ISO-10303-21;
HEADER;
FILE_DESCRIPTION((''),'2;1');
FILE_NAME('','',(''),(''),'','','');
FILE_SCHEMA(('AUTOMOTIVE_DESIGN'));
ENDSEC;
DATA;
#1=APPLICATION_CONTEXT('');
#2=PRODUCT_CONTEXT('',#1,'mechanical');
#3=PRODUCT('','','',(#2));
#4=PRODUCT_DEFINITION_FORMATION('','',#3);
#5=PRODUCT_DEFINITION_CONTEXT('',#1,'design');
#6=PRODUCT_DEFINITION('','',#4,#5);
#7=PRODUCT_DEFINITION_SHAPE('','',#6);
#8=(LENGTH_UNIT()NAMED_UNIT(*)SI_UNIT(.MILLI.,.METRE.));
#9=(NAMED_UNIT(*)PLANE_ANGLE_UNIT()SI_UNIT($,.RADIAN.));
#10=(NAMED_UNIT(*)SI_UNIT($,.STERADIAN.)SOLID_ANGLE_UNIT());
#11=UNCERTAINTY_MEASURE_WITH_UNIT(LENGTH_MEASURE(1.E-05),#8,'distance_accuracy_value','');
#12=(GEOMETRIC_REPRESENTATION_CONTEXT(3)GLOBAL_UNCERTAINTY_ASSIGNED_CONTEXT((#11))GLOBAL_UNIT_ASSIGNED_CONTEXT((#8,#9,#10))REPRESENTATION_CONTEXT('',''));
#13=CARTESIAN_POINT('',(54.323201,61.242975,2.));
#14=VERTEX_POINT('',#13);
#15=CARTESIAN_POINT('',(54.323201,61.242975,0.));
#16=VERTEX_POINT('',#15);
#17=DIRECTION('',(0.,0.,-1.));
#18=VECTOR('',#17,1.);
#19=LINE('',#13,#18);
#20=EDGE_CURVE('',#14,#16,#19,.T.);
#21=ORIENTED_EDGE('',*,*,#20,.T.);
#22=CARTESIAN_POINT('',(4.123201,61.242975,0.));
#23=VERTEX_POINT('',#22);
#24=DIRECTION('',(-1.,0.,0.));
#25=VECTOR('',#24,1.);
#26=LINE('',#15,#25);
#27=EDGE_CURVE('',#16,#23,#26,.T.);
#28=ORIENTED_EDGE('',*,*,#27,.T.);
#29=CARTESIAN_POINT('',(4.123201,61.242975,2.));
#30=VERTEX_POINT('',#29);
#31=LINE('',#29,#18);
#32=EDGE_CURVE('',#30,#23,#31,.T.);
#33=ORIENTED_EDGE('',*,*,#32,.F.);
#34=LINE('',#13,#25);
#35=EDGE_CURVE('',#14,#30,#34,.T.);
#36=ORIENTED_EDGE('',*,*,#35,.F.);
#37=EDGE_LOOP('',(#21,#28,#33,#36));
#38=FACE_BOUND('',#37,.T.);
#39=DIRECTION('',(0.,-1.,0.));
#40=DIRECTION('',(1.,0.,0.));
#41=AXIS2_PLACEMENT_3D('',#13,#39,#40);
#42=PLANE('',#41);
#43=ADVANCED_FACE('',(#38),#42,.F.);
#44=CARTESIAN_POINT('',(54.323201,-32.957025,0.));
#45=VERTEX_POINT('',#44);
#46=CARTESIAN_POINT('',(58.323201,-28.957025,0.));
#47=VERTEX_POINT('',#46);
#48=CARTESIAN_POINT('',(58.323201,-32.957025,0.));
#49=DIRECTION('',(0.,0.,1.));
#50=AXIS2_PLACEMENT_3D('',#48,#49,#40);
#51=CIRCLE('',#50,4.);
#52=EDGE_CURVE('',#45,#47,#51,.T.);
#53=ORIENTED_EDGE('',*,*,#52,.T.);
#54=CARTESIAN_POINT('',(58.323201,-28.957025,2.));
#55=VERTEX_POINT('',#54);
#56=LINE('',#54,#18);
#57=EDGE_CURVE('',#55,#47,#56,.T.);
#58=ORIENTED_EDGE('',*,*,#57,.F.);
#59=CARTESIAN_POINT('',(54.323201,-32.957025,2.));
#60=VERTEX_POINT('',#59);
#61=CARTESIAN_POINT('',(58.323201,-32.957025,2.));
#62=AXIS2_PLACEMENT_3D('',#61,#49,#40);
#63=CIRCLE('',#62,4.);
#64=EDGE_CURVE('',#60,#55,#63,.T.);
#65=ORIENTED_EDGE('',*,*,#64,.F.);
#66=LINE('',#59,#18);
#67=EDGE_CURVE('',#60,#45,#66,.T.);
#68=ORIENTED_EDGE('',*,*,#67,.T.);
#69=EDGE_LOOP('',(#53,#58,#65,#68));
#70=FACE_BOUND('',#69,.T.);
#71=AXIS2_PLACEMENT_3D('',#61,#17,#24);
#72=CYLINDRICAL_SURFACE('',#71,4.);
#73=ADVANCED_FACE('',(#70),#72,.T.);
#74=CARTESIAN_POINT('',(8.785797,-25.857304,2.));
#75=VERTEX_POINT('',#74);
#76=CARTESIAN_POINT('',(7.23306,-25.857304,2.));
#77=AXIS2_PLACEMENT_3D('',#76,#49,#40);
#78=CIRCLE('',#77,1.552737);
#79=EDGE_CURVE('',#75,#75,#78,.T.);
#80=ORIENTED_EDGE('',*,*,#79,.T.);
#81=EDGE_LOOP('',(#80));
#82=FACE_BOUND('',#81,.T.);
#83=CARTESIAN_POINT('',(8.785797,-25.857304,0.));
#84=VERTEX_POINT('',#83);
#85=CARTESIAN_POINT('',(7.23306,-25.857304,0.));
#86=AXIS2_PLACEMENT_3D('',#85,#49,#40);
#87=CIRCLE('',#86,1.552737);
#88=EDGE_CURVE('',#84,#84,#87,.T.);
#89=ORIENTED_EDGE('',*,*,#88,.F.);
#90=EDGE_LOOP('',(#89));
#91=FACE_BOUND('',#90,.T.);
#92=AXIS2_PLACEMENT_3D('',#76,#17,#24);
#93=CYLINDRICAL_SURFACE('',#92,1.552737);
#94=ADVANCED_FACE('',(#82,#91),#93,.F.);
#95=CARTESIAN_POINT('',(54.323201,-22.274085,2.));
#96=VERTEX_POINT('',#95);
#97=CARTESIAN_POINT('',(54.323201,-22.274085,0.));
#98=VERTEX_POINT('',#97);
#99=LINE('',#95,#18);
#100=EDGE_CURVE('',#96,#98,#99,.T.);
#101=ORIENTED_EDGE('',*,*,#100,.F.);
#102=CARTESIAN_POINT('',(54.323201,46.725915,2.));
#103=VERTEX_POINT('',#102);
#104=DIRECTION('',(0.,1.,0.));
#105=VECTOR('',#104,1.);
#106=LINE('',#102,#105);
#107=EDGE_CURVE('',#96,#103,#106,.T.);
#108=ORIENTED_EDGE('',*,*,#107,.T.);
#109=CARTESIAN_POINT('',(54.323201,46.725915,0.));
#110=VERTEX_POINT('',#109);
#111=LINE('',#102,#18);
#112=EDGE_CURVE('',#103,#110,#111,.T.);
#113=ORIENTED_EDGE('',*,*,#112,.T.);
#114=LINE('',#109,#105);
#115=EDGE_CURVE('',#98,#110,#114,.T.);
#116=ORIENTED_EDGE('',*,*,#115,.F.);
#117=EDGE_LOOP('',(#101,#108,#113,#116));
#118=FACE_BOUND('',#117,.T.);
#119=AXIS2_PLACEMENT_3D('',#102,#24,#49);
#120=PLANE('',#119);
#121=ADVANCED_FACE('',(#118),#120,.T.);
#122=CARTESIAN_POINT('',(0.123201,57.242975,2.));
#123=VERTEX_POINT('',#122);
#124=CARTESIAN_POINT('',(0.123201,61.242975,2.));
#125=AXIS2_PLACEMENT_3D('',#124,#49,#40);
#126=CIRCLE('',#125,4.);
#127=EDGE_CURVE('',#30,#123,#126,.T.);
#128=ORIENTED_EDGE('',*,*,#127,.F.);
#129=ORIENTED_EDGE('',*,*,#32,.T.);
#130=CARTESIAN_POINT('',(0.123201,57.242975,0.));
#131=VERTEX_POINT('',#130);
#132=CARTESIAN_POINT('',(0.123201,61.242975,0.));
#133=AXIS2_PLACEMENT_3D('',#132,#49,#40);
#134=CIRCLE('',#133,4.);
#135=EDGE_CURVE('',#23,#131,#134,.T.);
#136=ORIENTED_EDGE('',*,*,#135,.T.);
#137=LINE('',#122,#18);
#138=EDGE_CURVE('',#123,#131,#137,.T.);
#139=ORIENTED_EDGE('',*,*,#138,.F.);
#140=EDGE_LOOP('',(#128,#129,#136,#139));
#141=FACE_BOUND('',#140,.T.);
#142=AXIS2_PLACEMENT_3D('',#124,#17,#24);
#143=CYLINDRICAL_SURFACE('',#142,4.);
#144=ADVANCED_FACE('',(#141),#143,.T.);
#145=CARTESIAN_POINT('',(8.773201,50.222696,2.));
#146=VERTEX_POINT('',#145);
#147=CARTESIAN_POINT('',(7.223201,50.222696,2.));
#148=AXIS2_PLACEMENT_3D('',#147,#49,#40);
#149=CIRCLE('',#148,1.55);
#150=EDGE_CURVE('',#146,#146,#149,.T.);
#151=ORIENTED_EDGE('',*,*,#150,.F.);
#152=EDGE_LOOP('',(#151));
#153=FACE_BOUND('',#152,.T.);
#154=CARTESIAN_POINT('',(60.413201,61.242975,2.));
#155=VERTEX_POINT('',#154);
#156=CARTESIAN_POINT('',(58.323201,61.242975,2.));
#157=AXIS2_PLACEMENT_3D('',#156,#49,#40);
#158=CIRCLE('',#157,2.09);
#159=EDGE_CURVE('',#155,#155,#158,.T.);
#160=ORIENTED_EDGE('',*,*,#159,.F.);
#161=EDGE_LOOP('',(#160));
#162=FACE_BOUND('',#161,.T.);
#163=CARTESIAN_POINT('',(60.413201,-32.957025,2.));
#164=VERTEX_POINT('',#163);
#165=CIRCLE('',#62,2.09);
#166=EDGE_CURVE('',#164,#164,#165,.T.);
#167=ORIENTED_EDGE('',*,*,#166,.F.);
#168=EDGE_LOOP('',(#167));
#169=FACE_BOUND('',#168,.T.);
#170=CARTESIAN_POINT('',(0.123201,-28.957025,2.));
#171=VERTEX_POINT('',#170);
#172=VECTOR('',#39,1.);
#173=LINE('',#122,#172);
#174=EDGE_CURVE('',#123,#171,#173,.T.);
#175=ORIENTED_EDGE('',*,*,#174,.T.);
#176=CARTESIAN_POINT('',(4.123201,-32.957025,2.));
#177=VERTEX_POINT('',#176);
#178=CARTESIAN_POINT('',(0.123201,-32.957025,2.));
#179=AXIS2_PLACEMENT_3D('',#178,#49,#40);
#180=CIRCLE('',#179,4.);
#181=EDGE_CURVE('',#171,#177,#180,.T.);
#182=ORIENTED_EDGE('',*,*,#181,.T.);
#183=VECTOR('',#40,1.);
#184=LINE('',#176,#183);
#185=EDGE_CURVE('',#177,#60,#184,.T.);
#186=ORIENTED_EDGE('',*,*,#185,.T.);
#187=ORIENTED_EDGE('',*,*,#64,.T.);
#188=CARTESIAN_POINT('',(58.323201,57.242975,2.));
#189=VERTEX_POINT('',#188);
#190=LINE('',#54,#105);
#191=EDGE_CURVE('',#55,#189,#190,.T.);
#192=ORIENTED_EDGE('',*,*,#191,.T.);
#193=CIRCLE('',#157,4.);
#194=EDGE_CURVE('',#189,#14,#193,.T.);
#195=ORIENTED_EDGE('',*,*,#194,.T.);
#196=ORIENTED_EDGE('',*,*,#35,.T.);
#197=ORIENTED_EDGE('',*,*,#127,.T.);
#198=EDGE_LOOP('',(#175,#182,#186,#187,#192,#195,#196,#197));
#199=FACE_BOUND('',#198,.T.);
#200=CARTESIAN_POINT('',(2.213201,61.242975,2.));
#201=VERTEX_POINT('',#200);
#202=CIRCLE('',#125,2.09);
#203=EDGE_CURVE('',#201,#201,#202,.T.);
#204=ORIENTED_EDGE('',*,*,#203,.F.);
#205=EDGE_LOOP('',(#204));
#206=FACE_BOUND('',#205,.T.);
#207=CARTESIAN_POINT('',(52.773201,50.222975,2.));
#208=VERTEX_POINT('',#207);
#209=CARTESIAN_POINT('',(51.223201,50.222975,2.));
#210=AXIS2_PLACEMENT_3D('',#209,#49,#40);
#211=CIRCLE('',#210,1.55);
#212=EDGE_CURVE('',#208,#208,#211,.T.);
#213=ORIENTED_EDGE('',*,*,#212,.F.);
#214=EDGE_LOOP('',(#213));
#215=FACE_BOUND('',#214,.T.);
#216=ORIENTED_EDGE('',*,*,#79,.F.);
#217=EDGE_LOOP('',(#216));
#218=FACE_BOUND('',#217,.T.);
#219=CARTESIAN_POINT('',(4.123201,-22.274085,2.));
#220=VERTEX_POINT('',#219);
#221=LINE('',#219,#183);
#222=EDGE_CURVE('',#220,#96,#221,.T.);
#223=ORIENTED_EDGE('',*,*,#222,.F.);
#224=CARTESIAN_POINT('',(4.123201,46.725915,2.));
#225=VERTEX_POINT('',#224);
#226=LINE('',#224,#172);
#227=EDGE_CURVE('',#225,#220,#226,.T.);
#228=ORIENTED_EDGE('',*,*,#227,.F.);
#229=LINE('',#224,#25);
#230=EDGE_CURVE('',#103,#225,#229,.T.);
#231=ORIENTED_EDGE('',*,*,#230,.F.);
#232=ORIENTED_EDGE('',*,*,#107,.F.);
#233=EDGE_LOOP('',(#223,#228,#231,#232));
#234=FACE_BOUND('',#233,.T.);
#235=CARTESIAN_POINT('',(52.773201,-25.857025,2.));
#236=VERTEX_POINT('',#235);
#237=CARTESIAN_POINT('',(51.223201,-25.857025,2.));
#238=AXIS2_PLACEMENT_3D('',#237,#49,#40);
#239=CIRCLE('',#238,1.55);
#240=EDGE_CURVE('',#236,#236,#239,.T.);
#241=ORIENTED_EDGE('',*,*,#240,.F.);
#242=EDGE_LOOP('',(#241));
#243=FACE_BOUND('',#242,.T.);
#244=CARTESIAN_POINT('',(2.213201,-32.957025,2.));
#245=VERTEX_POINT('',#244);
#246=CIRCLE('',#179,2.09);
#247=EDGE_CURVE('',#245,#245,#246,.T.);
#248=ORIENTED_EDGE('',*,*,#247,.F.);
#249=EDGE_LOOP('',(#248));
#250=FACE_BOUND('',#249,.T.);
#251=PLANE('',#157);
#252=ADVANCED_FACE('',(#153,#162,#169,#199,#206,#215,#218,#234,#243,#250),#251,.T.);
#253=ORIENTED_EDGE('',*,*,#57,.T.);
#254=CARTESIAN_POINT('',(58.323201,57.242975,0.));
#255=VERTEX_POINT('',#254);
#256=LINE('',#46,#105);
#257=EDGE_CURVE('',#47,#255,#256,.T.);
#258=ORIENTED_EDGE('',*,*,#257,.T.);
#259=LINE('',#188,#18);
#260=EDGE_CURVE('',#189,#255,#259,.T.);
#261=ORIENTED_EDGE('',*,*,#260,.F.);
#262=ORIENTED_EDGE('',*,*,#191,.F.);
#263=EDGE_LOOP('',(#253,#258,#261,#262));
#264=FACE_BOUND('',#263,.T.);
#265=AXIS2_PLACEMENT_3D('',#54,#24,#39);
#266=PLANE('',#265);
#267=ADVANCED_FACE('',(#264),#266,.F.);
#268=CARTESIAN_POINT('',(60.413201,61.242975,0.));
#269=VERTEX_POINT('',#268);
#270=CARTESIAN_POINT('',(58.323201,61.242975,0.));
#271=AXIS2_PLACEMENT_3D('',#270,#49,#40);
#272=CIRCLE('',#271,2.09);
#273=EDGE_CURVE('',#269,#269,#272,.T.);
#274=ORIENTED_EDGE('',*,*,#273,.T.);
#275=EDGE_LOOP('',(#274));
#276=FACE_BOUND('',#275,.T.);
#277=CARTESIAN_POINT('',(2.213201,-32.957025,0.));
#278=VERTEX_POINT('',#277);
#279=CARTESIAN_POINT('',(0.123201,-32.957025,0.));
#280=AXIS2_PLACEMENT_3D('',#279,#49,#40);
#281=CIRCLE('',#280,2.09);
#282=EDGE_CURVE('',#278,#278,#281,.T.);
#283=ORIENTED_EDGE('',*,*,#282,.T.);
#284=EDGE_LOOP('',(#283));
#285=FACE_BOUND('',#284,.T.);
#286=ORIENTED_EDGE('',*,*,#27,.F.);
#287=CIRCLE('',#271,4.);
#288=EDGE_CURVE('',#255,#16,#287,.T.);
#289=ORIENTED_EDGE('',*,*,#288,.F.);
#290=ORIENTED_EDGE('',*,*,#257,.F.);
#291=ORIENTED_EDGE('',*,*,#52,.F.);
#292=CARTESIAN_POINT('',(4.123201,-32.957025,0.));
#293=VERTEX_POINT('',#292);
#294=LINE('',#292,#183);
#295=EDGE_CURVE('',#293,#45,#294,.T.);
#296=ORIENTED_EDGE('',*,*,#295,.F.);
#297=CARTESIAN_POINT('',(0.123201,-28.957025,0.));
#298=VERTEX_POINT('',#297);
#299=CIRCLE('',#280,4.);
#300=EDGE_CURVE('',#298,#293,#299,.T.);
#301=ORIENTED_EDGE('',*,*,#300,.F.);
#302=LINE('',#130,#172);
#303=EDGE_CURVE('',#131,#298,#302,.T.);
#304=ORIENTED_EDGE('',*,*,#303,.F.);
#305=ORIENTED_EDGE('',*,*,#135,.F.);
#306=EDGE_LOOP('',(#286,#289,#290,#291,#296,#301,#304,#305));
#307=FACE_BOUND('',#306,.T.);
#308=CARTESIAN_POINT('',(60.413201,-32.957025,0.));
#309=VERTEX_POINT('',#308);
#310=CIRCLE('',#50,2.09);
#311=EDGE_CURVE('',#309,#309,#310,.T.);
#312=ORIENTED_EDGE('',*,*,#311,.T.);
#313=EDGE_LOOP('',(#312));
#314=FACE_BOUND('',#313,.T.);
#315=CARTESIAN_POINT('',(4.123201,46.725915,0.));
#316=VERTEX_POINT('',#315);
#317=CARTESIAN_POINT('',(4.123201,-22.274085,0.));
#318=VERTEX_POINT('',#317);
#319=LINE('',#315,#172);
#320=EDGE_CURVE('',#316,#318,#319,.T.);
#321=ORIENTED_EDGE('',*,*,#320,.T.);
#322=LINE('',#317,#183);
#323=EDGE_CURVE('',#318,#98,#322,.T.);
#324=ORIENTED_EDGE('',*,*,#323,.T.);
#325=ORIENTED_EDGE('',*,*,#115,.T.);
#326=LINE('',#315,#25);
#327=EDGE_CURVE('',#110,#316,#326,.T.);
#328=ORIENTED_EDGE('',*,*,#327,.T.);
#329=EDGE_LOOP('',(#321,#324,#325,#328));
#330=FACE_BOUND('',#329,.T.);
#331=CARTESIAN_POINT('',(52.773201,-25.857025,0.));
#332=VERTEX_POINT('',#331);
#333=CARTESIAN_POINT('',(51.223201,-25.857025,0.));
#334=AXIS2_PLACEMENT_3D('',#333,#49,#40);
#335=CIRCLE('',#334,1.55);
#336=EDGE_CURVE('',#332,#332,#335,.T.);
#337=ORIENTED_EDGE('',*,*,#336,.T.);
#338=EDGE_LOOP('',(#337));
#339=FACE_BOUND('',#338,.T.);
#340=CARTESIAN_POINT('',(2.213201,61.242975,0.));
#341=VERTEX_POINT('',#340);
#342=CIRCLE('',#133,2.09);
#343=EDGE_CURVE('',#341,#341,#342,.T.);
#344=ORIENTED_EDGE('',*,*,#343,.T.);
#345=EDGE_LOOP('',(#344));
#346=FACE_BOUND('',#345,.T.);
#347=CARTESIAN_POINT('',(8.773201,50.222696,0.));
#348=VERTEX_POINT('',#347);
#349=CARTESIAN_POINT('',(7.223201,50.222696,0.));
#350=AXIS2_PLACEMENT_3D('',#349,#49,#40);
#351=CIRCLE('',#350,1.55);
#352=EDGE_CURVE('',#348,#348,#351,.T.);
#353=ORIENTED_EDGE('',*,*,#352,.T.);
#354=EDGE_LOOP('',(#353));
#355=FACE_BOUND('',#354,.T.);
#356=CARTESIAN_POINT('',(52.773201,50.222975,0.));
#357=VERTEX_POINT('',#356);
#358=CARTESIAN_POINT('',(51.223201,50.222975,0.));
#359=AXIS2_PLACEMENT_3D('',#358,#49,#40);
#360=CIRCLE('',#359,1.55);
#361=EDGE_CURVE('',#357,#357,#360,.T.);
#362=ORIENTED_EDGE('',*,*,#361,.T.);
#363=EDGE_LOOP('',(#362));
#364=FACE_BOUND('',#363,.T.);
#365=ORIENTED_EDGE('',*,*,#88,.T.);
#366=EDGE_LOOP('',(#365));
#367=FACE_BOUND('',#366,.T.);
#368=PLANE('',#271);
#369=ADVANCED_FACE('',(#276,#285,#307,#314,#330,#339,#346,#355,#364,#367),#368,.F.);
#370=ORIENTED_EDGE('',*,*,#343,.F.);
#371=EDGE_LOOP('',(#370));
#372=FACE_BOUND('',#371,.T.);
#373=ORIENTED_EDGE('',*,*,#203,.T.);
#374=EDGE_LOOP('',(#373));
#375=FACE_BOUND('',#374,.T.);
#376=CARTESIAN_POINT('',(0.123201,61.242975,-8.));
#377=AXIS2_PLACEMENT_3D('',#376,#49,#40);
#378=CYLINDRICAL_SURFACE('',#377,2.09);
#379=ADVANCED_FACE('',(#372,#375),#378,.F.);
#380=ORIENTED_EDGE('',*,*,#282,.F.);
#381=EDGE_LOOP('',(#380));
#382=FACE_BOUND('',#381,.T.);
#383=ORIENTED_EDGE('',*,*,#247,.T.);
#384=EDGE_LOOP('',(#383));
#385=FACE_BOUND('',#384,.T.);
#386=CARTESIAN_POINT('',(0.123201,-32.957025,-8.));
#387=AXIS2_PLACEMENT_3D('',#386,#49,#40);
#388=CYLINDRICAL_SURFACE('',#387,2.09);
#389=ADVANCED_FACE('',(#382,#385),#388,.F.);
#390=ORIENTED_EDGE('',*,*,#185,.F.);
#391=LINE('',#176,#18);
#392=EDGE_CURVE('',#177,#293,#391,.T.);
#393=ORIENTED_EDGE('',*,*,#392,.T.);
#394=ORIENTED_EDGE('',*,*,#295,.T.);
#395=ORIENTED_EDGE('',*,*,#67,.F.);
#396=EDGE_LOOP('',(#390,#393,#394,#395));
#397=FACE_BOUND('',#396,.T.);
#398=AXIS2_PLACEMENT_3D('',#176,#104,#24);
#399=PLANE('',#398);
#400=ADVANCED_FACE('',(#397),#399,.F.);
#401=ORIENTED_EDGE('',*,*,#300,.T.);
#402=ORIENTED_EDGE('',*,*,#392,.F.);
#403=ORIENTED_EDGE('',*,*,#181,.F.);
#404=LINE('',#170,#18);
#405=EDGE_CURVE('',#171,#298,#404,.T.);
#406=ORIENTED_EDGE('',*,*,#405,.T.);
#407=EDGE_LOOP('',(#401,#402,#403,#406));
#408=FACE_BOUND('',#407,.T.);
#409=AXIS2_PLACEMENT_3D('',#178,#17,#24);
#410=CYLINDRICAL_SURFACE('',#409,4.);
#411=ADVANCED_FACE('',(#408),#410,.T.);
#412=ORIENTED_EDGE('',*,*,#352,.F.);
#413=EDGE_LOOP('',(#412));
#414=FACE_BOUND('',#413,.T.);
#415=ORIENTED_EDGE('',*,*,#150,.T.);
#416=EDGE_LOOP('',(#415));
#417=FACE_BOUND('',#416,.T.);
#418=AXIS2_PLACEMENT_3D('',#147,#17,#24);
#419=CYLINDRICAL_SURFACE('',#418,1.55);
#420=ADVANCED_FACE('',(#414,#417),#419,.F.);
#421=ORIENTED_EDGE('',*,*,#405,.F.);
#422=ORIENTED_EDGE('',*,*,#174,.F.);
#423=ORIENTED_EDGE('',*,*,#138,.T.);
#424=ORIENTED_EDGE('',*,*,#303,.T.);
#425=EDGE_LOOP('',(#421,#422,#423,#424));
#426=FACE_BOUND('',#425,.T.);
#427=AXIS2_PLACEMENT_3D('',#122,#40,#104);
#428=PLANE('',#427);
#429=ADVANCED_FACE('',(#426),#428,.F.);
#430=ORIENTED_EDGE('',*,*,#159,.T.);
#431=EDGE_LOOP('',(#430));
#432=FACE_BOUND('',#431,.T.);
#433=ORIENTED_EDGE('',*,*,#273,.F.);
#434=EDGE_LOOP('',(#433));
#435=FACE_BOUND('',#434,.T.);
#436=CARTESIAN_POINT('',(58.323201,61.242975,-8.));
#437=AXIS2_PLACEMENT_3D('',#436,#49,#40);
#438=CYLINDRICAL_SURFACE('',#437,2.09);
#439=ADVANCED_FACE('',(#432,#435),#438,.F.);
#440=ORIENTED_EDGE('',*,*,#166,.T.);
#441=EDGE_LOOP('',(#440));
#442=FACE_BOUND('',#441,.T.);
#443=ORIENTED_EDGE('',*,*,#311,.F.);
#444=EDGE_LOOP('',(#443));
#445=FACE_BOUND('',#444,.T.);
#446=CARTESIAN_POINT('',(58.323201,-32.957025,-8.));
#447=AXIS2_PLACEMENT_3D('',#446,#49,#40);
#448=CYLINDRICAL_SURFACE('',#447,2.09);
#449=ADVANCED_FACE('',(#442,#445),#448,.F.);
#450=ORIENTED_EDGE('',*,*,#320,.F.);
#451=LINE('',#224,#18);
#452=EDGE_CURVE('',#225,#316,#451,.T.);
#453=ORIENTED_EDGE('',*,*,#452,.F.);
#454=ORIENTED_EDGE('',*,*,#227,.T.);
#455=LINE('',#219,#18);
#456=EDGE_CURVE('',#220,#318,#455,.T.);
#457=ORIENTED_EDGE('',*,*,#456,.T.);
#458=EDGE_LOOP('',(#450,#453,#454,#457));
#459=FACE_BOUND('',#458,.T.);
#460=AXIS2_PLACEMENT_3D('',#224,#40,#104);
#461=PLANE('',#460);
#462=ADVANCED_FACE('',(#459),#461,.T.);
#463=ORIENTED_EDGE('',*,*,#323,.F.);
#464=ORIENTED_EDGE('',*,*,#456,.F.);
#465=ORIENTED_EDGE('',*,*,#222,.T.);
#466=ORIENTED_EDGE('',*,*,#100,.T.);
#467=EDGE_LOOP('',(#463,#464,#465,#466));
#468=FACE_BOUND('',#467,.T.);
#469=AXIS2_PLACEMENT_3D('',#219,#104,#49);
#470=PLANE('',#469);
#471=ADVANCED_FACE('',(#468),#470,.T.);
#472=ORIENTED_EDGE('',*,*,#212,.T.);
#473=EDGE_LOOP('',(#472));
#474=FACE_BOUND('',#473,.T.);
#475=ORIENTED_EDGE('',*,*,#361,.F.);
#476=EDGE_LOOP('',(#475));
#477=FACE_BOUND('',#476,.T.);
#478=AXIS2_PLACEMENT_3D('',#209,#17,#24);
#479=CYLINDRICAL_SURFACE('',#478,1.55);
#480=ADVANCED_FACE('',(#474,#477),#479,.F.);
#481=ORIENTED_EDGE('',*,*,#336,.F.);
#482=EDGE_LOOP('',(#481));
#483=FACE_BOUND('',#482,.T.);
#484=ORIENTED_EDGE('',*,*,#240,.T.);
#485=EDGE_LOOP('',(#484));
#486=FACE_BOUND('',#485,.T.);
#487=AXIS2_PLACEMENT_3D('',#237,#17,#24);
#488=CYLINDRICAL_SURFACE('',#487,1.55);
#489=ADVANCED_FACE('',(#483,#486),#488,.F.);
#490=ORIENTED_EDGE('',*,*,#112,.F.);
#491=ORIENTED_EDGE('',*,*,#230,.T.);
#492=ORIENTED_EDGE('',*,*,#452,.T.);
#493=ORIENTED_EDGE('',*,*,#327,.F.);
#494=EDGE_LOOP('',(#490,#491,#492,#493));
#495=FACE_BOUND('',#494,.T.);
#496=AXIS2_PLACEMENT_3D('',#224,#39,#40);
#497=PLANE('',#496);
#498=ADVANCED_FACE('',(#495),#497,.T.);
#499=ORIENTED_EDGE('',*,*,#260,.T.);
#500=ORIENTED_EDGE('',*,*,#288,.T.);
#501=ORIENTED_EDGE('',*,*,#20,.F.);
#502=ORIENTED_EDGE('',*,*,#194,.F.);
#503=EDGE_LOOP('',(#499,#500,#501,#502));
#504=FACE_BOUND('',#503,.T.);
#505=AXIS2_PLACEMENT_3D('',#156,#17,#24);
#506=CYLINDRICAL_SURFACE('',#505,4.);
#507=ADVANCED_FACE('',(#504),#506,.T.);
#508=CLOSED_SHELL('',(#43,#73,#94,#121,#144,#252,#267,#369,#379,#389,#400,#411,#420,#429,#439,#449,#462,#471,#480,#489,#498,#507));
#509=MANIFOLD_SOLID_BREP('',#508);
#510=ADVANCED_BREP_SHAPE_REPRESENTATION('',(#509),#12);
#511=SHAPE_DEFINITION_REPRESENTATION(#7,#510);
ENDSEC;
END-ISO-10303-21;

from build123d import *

# Parameters (mm, degrees)
SKETCH1_R           = 1.55
SKETCH1_R_2         = 1.552736715
SKETCH1_W           = 50.2
SKETCH1_H           = 69
BOSS_EXTRUDE1_DEPTH = 2
SKETCH2_R           = 2.09
CUT_EXTRUDE1_DEPTH  = 10


with BuildPart() as part:
    # Sketch1 → Boss-Extrude1 (new body)
    with BuildSketch(Plane.XY):
        with BuildLine():
            Line((54.323201224, 61.242975378), (4.123201224, 61.242975378))
            ThreePointArc((4.123201224, 61.242975378), (-2.705225901, 64.071402503), (0.123201224, 57.242975378))
            Line((0.123201224, 57.242975378), (0.123201224, -28.957024622))
            ThreePointArc((0.123201224, -28.957024622), (-2.705225901, -35.785451747), (4.123201224, -32.957024622))
            Line((4.123201224, -32.957024622), (54.323201224, -32.957024622))
            ThreePointArc((54.323201224, -32.957024622), (61.151628348, -35.785451747), (58.323201224, -28.957024622))
            Line((58.323201224, -28.957024622), (58.323201224, 57.242975378))
            ThreePointArc((58.323201224, 57.242975378), (61.151628348, 64.071402503), (54.323201224, 61.242975378))
        make_face()
        with Locations((7.223201224, 50.222695663)):
            Circle(SKETCH1_R, mode=Mode.SUBTRACT)
        with Locations((51.223201224, 50.222975378)):
            Circle(SKETCH1_R, mode=Mode.SUBTRACT)
        with Locations((7.233060223, -25.857304337)):
            Circle(SKETCH1_R_2, mode=Mode.SUBTRACT)
        with Locations((51.223201224, -25.857024622)):
            Circle(SKETCH1_R, mode=Mode.SUBTRACT)
        with Locations((29.223201224, 12.225914551)):
            Rectangle(SKETCH1_W, SKETCH1_H, mode=Mode.SUBTRACT)
    extrude(amount=BOSS_EXTRUDE1_DEPTH)

    # Sketch2 → Cut-Extrude1 (cut)
    with BuildSketch(Plane.XY.offset(2)):
        with Locations((0.123201224, 61.242975378)):
            Circle(SKETCH2_R)
        with Locations((58.323201224, 61.242975378)):
            Circle(SKETCH2_R)
        with Locations((0.123201224, -32.957024622)):
            Circle(SKETCH2_R)
        with Locations((58.323201224, -32.957024622)):
            Circle(SKETCH2_R)
    extrude(amount=-CUT_EXTRUDE1_DEPTH, mode=Mode.SUBTRACT)


solid = part.part
